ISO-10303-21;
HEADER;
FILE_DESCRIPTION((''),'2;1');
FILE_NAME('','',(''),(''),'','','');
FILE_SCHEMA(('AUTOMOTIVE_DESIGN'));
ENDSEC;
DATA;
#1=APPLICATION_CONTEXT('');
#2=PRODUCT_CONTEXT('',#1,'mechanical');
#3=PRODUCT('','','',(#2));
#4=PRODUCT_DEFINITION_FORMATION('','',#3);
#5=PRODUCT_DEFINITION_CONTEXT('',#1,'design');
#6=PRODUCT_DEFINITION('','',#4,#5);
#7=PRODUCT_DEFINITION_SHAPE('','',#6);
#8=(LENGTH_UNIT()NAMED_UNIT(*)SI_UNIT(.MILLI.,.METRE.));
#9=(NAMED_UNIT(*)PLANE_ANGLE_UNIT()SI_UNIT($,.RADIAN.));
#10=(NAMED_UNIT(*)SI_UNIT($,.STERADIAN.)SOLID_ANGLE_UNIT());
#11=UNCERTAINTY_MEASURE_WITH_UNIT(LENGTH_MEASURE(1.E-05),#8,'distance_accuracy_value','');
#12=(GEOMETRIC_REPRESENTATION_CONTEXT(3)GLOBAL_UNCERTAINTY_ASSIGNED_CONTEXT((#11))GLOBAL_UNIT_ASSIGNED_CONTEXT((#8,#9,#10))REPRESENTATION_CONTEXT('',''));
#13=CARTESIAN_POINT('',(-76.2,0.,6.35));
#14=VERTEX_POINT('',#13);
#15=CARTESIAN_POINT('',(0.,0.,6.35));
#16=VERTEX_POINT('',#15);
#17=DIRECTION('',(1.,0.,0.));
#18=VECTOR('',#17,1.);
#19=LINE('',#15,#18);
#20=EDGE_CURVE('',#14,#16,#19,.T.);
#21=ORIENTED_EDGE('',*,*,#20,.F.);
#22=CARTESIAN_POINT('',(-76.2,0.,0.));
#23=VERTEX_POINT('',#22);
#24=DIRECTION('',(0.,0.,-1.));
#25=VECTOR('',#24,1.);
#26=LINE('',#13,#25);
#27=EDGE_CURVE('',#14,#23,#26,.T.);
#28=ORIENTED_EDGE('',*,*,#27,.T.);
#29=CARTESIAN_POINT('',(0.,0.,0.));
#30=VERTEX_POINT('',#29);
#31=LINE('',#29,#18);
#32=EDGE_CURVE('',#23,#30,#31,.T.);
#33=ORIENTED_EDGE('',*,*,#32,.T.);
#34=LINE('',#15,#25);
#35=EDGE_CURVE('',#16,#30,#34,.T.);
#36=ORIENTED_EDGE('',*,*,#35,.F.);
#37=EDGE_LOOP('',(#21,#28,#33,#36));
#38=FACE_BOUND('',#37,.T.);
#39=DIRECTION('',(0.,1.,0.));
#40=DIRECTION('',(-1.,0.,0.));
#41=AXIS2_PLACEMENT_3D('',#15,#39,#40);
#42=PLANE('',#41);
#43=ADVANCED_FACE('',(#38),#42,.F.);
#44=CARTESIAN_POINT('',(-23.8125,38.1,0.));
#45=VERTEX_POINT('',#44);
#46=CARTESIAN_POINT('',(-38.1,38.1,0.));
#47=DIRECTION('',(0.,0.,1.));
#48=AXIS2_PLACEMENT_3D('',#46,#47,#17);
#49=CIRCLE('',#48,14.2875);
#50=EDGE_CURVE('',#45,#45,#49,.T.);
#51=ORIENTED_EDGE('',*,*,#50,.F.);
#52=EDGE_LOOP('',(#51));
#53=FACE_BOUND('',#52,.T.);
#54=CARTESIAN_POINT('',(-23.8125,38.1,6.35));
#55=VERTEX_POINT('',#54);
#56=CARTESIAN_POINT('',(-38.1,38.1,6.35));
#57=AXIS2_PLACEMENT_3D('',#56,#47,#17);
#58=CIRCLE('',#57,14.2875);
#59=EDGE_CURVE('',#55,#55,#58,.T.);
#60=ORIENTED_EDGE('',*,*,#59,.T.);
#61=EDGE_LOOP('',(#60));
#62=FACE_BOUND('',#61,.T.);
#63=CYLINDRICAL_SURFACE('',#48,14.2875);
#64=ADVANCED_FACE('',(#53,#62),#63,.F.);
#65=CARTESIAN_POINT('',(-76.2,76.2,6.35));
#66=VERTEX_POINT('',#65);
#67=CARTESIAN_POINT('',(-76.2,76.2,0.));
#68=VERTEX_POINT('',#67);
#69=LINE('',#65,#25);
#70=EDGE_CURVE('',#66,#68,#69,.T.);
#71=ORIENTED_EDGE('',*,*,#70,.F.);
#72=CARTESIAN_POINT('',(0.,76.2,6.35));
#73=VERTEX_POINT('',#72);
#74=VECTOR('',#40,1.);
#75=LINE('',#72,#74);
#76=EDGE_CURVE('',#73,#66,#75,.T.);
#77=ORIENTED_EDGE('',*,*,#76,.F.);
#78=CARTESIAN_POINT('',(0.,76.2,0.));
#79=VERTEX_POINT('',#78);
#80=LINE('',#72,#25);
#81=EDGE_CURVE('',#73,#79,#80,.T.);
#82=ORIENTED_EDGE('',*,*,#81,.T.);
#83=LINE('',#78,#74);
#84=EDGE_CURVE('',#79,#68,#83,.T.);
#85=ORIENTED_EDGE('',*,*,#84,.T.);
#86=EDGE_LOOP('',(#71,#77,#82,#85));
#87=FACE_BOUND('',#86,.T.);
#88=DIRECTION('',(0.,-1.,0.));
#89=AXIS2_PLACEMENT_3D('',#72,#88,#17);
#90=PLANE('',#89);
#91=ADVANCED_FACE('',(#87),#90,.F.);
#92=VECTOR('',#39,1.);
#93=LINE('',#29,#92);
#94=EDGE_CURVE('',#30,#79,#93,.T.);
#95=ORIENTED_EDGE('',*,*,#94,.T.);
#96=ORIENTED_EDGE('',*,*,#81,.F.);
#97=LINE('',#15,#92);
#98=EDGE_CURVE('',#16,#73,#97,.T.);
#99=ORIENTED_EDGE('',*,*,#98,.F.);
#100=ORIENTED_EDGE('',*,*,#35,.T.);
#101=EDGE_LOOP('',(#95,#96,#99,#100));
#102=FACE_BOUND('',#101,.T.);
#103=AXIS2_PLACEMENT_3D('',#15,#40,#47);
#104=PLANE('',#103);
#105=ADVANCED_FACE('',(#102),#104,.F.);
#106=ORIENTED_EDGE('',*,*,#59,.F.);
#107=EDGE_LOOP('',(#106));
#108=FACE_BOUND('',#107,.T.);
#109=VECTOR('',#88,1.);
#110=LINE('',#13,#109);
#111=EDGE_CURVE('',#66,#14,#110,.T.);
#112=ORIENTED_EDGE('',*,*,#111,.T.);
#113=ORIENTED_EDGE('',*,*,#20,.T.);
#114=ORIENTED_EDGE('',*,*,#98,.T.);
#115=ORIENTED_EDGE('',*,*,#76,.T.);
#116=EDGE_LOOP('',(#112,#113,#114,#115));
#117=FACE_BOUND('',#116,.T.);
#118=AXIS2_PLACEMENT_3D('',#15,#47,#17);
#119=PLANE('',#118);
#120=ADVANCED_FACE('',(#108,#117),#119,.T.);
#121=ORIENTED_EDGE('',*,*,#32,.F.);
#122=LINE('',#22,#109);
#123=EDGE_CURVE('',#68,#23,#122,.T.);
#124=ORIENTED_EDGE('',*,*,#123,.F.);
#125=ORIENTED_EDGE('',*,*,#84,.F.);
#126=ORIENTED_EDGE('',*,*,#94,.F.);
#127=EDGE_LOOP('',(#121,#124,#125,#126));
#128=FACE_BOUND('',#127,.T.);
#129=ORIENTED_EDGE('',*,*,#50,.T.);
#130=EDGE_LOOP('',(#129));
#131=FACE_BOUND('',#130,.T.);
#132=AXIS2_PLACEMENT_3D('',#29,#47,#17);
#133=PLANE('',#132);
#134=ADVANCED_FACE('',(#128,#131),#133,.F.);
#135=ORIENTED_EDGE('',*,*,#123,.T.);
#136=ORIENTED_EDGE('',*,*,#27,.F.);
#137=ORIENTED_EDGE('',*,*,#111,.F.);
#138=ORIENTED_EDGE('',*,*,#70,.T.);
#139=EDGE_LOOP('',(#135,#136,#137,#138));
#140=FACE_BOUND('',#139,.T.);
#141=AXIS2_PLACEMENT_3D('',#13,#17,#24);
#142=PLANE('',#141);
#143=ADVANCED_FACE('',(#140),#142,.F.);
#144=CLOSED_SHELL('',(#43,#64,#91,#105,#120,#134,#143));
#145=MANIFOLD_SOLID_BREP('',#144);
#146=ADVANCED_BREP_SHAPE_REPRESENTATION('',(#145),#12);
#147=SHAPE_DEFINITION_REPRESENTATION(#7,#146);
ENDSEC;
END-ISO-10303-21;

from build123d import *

# Parameters (mm, degrees)
SKETCH1_W           = 76.2
SKETCH1_H           = 76.2
BOSS_EXTRUDE1_DEPTH = 6.35
SKETCH3_R           = 14.2875
CUT_EXTRUDE1_DEPTH  = 7.35


with BuildPart() as part:
    # Sketch1 → Boss-Extrude1 (new body)
    with BuildSketch(Plane.XY):
        with Locations((-38.1, 38.1)):
            Rectangle(SKETCH1_W, SKETCH1_H)
    extrude(amount=BOSS_EXTRUDE1_DEPTH)

    # Sketch3 → Cut-Extrude1 (cut, through all)
    with BuildSketch(Plane.XY.offset(6.35)):
        with Locations((-38.1, 38.1)):
            Circle(SKETCH3_R)
    extrude(amount=-CUT_EXTRUDE1_DEPTH, mode=Mode.SUBTRACT)


solid = part.part
